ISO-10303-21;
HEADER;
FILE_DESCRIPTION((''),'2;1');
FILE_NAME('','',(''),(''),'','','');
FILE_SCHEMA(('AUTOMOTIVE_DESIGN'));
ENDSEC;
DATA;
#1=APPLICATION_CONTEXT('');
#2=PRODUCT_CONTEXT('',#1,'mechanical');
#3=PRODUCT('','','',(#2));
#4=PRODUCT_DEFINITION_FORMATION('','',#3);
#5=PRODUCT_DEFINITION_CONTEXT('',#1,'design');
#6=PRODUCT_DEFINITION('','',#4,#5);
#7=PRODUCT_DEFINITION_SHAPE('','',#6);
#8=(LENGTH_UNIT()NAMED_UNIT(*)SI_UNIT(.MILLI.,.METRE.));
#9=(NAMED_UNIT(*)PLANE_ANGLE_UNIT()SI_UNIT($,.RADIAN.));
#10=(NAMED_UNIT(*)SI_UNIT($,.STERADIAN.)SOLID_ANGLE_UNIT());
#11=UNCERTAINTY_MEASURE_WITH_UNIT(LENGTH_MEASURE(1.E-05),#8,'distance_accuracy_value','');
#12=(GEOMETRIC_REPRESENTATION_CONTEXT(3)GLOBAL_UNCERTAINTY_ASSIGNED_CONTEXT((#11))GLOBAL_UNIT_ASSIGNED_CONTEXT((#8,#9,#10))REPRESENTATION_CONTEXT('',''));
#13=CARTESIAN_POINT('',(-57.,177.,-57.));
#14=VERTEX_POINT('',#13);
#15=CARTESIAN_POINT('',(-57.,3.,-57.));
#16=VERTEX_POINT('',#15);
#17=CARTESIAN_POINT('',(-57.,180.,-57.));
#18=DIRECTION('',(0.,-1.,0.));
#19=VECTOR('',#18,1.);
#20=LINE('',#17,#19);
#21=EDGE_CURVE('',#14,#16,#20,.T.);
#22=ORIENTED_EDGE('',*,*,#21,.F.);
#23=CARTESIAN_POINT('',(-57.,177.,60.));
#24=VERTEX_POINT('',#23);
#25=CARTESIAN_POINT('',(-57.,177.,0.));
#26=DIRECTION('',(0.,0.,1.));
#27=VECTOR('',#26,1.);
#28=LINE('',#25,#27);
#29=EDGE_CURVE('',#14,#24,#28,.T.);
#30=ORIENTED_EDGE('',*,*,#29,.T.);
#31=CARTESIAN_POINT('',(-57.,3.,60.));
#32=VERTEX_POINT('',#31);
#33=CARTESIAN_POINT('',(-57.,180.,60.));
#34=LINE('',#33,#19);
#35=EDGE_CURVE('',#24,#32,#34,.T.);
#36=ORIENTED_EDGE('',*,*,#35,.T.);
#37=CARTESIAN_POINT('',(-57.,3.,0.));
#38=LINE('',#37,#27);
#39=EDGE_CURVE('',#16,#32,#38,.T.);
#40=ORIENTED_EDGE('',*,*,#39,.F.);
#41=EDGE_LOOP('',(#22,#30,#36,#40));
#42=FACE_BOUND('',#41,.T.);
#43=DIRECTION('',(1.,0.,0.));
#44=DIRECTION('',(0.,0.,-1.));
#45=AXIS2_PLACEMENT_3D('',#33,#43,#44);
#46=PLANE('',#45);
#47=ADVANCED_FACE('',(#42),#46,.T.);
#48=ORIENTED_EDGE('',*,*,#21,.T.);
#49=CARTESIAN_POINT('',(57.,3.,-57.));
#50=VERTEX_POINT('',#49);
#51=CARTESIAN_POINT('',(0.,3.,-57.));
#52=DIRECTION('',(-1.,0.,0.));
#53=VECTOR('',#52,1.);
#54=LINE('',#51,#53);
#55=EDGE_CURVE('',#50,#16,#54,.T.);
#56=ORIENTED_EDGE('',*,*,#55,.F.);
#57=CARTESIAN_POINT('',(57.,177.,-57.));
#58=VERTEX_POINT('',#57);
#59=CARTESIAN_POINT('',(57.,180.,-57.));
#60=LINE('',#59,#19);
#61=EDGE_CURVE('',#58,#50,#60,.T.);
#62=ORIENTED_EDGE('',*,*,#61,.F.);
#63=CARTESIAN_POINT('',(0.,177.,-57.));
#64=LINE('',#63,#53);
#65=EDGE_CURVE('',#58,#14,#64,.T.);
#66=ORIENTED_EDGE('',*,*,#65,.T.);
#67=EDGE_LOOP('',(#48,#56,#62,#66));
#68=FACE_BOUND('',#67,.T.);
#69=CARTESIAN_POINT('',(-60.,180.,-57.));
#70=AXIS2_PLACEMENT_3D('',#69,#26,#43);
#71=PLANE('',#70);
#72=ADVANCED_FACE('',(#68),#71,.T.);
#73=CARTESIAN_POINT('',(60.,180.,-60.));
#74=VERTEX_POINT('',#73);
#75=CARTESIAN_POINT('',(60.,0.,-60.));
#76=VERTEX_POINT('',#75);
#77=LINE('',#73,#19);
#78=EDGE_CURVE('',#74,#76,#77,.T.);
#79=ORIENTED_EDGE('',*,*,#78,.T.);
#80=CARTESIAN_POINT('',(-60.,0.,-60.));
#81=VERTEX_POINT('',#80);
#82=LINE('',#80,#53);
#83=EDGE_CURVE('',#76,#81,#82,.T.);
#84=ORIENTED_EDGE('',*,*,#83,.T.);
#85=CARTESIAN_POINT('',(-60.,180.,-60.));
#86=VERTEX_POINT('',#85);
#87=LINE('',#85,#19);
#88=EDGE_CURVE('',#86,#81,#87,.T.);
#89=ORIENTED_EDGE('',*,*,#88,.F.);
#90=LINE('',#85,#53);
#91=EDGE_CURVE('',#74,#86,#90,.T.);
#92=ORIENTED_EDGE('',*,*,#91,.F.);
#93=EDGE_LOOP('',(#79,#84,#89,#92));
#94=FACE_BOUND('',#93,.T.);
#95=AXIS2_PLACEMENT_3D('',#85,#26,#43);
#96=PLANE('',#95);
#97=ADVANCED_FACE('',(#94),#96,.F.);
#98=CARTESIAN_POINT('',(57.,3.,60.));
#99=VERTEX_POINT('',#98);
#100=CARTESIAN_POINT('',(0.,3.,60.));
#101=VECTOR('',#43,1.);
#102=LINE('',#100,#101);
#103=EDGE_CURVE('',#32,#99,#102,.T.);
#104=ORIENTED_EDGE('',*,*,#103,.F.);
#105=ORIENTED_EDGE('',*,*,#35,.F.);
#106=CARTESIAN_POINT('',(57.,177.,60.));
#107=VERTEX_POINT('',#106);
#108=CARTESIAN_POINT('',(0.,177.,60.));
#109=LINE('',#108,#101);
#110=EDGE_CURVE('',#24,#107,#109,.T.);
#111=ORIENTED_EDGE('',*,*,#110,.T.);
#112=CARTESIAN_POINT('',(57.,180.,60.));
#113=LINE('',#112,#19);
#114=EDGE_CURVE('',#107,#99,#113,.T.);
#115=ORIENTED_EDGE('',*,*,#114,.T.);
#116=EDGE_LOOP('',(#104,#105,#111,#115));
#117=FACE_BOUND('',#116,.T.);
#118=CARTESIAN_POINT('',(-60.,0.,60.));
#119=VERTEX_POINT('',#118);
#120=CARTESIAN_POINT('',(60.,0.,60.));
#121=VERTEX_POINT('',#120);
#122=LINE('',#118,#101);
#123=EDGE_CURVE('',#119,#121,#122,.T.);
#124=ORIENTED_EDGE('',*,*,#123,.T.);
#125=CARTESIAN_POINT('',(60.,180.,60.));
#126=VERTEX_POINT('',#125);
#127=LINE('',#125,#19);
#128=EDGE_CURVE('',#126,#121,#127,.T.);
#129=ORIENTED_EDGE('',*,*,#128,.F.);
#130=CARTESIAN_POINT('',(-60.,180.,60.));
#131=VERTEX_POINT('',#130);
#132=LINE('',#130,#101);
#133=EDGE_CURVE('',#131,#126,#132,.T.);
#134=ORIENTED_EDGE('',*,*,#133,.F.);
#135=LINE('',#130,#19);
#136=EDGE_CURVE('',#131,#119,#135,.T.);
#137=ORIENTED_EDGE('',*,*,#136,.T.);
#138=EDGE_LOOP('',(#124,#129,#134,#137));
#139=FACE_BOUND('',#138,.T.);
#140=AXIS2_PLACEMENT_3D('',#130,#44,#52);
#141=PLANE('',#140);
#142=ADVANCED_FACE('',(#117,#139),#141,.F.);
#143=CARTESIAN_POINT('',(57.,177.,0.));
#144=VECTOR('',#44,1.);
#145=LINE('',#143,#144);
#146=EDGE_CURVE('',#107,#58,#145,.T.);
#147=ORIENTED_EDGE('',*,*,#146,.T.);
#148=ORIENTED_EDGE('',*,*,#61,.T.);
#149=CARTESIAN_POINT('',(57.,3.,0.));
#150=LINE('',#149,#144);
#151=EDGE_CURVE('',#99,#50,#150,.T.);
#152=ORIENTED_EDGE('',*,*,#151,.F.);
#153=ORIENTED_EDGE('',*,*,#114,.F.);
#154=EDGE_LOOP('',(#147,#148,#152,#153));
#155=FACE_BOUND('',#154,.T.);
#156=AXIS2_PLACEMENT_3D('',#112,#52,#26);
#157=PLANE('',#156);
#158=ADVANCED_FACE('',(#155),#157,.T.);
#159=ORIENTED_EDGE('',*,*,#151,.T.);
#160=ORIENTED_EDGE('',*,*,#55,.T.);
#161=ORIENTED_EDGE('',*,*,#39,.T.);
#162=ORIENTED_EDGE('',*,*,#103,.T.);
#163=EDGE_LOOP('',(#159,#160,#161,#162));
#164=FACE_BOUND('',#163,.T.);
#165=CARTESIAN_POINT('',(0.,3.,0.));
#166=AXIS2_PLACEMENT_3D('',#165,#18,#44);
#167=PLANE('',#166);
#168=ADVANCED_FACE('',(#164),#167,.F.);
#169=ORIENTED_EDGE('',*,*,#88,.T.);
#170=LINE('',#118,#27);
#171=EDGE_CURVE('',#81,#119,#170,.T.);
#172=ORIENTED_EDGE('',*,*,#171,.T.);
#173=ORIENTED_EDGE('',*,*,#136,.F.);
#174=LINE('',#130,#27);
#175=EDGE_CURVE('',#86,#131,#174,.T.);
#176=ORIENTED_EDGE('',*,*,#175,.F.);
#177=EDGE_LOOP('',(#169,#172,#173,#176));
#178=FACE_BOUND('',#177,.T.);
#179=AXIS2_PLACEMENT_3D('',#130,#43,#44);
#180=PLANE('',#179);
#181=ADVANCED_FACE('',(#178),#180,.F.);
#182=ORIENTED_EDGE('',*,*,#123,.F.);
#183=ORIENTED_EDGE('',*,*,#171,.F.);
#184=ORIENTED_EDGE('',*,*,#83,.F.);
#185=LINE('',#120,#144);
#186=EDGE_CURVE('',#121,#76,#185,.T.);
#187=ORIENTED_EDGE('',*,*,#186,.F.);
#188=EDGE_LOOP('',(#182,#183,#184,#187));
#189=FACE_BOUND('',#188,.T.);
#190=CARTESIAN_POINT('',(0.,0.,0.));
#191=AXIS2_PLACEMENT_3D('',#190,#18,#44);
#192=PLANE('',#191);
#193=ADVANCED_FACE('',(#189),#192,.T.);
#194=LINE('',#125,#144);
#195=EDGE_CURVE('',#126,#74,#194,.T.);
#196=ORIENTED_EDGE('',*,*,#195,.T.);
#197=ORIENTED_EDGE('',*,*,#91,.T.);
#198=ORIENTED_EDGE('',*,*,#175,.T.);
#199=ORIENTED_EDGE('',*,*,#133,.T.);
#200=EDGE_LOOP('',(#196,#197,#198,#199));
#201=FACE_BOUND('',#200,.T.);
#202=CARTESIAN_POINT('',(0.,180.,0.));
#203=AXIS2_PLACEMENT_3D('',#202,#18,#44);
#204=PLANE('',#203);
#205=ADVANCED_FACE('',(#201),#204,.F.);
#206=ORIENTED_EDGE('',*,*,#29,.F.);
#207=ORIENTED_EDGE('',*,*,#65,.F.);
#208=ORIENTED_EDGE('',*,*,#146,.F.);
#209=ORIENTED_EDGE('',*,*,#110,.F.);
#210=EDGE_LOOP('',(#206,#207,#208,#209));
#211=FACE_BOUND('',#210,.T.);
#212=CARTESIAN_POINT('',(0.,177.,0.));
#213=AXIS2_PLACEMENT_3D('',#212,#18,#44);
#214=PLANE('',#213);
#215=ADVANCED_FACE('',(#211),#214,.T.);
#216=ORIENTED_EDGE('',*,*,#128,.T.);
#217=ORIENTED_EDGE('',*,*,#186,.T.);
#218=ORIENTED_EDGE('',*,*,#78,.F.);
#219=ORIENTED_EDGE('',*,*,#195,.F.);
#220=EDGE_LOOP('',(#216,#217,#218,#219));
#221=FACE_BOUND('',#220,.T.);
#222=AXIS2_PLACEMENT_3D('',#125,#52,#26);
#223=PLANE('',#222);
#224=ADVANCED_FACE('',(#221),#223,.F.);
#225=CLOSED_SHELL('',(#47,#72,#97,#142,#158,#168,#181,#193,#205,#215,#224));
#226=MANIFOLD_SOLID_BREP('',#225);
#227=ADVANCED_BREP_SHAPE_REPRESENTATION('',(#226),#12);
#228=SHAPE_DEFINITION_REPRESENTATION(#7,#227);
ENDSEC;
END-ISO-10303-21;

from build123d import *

# Parameters (mm, degrees)
SKETCH1_W           = 120
SKETCH1_H           = 120
BOSS_EXTRUDE1_DEPTH = 180
SHELL1_T            = -3


with BuildPart() as part:
    # Sketch1 → Boss-Extrude1 (new body)
    with BuildSketch(Plane(origin=(0, 0, 0), x_dir=(1, 0, 0), z_dir=(0, 1, 0))):
        Rectangle(SKETCH1_W, SKETCH1_H)
    extrude(amount=BOSS_EXTRUDE1_DEPTH)

    # Shell1
    shell1_openings = [part.faces().sort_by_distance(p)[0] for p in [
        (0, 90, 60),
    ]]
    offset(amount=SHELL1_T, openings=shell1_openings, kind=Kind.INTERSECTION)


solid = part.part
